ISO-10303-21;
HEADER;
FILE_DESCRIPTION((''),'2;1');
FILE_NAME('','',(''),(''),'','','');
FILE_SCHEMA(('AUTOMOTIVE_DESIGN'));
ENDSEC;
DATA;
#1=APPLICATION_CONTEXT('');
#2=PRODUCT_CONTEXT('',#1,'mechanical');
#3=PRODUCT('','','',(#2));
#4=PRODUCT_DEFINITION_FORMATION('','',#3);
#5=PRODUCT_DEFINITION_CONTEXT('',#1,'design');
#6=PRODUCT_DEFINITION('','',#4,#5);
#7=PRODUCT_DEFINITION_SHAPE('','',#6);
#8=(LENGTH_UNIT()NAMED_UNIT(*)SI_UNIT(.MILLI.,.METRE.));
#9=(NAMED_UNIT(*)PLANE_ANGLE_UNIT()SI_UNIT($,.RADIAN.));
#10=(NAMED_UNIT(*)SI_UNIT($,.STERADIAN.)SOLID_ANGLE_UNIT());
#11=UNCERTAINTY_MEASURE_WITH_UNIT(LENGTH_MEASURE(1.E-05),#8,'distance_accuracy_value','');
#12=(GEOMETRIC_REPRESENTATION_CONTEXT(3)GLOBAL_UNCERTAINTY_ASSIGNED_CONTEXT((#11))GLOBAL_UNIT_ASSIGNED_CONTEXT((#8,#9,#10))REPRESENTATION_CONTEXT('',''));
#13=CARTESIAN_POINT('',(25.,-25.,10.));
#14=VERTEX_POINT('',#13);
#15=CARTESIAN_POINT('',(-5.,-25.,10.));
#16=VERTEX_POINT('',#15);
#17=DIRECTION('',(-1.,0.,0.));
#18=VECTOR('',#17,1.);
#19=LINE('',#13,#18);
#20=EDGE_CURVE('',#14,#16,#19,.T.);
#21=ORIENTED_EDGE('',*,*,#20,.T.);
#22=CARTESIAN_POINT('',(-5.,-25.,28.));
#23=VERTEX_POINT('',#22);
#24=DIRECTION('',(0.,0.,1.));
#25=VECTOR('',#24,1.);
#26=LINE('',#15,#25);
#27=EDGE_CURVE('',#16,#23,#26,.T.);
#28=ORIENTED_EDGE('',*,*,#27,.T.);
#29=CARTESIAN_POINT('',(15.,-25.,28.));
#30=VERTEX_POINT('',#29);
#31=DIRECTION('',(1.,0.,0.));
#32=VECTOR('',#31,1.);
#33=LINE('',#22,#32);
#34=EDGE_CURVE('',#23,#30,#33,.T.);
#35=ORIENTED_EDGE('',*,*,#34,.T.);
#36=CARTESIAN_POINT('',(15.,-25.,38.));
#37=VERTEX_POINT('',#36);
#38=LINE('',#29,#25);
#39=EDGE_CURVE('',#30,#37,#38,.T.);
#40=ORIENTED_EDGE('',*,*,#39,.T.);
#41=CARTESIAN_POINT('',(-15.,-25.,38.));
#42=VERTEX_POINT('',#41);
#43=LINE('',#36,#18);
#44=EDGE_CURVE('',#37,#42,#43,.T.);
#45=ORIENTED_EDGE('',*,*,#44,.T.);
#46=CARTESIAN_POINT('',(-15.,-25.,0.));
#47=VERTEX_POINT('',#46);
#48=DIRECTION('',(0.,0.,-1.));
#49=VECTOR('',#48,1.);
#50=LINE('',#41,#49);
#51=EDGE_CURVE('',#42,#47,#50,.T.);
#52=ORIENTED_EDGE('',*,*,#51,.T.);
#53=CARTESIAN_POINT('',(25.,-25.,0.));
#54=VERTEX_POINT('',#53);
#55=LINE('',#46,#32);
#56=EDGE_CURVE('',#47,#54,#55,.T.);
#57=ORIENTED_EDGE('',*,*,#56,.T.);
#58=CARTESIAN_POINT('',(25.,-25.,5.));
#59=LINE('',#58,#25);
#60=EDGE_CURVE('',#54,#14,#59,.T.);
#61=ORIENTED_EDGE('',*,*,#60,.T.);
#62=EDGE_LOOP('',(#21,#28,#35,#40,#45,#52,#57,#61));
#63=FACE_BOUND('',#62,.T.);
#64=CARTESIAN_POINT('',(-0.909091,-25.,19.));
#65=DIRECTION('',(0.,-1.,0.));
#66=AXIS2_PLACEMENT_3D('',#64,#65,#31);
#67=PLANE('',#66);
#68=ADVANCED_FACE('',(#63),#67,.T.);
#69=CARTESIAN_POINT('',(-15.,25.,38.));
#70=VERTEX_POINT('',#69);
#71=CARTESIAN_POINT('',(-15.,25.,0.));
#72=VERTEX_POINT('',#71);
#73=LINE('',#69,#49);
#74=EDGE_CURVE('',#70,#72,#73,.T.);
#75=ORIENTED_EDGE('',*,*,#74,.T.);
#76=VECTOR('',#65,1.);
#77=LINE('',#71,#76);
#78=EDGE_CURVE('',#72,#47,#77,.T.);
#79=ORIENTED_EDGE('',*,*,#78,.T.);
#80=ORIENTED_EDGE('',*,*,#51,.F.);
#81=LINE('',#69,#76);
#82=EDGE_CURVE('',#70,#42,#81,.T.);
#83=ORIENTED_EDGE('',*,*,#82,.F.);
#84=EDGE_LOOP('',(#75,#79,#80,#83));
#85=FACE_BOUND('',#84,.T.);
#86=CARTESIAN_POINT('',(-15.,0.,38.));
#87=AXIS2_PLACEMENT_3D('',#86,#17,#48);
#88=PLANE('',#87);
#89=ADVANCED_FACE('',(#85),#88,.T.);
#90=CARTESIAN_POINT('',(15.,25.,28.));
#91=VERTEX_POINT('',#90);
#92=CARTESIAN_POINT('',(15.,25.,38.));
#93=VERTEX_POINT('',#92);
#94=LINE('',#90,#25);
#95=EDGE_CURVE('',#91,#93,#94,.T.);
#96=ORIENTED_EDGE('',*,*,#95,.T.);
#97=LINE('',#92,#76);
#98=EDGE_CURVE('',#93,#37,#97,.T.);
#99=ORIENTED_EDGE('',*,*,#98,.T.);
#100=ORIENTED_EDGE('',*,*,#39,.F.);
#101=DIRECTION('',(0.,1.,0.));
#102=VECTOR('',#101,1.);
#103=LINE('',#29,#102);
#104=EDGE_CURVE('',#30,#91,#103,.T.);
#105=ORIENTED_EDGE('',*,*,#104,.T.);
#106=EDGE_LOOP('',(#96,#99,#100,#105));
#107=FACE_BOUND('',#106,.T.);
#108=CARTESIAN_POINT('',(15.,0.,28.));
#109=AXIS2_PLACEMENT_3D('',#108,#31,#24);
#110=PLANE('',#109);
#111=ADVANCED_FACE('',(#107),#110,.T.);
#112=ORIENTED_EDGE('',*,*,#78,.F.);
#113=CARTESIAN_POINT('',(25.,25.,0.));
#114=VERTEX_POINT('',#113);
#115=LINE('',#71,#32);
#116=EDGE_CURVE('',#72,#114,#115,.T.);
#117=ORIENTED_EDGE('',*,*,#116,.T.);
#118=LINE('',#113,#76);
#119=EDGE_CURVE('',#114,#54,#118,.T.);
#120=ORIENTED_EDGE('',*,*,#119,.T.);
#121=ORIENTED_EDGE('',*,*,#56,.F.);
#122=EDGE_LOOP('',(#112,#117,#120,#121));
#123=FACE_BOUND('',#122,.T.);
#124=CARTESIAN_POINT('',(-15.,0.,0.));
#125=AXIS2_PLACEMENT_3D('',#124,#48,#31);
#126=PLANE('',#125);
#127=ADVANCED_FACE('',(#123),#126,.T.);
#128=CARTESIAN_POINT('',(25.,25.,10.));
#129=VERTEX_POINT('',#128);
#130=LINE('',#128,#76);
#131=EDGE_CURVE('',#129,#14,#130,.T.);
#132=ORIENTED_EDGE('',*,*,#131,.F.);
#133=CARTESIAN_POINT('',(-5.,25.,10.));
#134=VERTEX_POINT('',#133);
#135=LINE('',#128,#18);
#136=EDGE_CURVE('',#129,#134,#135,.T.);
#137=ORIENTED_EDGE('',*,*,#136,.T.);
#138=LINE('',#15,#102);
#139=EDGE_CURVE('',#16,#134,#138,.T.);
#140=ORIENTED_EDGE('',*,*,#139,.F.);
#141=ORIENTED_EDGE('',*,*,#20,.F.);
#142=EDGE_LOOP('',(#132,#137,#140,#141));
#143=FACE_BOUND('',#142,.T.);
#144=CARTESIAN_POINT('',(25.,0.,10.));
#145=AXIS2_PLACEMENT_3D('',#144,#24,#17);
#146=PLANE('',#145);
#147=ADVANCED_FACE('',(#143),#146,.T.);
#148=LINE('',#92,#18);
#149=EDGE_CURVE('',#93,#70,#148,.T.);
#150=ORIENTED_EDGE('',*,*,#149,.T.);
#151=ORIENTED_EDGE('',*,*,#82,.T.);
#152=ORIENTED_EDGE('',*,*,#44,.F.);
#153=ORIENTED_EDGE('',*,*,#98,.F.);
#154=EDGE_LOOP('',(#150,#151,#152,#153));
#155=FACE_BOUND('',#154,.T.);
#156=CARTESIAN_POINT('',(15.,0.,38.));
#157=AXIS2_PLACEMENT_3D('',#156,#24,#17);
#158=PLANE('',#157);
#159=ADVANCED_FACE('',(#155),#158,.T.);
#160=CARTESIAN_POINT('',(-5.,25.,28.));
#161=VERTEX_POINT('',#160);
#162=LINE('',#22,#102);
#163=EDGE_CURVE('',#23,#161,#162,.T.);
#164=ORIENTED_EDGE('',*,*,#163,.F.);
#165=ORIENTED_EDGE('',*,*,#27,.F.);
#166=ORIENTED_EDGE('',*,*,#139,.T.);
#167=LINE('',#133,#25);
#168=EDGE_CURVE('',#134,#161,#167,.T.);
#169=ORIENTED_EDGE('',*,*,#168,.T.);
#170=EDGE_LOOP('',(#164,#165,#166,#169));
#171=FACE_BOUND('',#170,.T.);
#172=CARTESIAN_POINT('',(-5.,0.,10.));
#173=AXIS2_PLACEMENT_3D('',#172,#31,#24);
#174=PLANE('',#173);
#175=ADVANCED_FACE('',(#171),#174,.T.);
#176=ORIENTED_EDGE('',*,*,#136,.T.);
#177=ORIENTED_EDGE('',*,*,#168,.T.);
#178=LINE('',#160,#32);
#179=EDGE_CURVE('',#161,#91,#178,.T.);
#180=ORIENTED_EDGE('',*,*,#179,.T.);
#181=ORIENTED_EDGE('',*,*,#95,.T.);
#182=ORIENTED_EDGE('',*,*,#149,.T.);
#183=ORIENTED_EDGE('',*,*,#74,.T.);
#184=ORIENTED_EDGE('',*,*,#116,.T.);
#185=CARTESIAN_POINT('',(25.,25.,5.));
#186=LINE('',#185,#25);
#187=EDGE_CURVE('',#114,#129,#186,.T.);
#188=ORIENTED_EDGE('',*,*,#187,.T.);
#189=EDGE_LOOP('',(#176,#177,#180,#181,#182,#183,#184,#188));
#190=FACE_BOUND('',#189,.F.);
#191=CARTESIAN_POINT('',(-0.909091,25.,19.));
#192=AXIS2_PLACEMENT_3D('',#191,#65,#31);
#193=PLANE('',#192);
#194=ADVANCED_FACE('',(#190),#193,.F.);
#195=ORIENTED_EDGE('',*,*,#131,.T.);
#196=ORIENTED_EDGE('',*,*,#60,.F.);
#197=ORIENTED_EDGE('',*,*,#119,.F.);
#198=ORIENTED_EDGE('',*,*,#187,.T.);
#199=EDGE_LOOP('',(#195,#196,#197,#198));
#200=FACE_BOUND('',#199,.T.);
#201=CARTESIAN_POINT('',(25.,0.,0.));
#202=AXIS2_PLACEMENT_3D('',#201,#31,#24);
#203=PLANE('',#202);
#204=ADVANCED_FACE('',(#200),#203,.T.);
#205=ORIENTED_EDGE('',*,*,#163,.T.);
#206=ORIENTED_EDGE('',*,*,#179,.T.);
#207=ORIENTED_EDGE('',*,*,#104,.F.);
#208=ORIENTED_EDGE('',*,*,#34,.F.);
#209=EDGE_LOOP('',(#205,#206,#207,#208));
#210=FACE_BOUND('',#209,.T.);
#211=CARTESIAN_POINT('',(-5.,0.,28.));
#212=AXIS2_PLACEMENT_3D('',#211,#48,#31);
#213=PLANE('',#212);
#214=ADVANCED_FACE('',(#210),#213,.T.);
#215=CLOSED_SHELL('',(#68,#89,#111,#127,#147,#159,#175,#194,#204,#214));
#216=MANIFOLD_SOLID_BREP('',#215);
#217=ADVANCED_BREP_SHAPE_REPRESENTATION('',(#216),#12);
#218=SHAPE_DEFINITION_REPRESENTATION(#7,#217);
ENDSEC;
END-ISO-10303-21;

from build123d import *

# Parameters (mm, degrees)
F0_W     = 10
F0_H     = 10
F1_DEPTH = 25


with BuildPart() as f1:
    # F0 (on Front) → F1 (new body, symmetric)
    with BuildSketch(Plane.XZ):
        Polygon((15, 28), (15, 38), (-15, 38), (-15, 0), (15, 0), (15, 10), (-5, 10), (-5, 28), align=None)
        with Locations((20, 5)):
            Rectangle(F0_W, F0_H)
    extrude(amount=F1_DEPTH, both=True)


solid = f1.part
